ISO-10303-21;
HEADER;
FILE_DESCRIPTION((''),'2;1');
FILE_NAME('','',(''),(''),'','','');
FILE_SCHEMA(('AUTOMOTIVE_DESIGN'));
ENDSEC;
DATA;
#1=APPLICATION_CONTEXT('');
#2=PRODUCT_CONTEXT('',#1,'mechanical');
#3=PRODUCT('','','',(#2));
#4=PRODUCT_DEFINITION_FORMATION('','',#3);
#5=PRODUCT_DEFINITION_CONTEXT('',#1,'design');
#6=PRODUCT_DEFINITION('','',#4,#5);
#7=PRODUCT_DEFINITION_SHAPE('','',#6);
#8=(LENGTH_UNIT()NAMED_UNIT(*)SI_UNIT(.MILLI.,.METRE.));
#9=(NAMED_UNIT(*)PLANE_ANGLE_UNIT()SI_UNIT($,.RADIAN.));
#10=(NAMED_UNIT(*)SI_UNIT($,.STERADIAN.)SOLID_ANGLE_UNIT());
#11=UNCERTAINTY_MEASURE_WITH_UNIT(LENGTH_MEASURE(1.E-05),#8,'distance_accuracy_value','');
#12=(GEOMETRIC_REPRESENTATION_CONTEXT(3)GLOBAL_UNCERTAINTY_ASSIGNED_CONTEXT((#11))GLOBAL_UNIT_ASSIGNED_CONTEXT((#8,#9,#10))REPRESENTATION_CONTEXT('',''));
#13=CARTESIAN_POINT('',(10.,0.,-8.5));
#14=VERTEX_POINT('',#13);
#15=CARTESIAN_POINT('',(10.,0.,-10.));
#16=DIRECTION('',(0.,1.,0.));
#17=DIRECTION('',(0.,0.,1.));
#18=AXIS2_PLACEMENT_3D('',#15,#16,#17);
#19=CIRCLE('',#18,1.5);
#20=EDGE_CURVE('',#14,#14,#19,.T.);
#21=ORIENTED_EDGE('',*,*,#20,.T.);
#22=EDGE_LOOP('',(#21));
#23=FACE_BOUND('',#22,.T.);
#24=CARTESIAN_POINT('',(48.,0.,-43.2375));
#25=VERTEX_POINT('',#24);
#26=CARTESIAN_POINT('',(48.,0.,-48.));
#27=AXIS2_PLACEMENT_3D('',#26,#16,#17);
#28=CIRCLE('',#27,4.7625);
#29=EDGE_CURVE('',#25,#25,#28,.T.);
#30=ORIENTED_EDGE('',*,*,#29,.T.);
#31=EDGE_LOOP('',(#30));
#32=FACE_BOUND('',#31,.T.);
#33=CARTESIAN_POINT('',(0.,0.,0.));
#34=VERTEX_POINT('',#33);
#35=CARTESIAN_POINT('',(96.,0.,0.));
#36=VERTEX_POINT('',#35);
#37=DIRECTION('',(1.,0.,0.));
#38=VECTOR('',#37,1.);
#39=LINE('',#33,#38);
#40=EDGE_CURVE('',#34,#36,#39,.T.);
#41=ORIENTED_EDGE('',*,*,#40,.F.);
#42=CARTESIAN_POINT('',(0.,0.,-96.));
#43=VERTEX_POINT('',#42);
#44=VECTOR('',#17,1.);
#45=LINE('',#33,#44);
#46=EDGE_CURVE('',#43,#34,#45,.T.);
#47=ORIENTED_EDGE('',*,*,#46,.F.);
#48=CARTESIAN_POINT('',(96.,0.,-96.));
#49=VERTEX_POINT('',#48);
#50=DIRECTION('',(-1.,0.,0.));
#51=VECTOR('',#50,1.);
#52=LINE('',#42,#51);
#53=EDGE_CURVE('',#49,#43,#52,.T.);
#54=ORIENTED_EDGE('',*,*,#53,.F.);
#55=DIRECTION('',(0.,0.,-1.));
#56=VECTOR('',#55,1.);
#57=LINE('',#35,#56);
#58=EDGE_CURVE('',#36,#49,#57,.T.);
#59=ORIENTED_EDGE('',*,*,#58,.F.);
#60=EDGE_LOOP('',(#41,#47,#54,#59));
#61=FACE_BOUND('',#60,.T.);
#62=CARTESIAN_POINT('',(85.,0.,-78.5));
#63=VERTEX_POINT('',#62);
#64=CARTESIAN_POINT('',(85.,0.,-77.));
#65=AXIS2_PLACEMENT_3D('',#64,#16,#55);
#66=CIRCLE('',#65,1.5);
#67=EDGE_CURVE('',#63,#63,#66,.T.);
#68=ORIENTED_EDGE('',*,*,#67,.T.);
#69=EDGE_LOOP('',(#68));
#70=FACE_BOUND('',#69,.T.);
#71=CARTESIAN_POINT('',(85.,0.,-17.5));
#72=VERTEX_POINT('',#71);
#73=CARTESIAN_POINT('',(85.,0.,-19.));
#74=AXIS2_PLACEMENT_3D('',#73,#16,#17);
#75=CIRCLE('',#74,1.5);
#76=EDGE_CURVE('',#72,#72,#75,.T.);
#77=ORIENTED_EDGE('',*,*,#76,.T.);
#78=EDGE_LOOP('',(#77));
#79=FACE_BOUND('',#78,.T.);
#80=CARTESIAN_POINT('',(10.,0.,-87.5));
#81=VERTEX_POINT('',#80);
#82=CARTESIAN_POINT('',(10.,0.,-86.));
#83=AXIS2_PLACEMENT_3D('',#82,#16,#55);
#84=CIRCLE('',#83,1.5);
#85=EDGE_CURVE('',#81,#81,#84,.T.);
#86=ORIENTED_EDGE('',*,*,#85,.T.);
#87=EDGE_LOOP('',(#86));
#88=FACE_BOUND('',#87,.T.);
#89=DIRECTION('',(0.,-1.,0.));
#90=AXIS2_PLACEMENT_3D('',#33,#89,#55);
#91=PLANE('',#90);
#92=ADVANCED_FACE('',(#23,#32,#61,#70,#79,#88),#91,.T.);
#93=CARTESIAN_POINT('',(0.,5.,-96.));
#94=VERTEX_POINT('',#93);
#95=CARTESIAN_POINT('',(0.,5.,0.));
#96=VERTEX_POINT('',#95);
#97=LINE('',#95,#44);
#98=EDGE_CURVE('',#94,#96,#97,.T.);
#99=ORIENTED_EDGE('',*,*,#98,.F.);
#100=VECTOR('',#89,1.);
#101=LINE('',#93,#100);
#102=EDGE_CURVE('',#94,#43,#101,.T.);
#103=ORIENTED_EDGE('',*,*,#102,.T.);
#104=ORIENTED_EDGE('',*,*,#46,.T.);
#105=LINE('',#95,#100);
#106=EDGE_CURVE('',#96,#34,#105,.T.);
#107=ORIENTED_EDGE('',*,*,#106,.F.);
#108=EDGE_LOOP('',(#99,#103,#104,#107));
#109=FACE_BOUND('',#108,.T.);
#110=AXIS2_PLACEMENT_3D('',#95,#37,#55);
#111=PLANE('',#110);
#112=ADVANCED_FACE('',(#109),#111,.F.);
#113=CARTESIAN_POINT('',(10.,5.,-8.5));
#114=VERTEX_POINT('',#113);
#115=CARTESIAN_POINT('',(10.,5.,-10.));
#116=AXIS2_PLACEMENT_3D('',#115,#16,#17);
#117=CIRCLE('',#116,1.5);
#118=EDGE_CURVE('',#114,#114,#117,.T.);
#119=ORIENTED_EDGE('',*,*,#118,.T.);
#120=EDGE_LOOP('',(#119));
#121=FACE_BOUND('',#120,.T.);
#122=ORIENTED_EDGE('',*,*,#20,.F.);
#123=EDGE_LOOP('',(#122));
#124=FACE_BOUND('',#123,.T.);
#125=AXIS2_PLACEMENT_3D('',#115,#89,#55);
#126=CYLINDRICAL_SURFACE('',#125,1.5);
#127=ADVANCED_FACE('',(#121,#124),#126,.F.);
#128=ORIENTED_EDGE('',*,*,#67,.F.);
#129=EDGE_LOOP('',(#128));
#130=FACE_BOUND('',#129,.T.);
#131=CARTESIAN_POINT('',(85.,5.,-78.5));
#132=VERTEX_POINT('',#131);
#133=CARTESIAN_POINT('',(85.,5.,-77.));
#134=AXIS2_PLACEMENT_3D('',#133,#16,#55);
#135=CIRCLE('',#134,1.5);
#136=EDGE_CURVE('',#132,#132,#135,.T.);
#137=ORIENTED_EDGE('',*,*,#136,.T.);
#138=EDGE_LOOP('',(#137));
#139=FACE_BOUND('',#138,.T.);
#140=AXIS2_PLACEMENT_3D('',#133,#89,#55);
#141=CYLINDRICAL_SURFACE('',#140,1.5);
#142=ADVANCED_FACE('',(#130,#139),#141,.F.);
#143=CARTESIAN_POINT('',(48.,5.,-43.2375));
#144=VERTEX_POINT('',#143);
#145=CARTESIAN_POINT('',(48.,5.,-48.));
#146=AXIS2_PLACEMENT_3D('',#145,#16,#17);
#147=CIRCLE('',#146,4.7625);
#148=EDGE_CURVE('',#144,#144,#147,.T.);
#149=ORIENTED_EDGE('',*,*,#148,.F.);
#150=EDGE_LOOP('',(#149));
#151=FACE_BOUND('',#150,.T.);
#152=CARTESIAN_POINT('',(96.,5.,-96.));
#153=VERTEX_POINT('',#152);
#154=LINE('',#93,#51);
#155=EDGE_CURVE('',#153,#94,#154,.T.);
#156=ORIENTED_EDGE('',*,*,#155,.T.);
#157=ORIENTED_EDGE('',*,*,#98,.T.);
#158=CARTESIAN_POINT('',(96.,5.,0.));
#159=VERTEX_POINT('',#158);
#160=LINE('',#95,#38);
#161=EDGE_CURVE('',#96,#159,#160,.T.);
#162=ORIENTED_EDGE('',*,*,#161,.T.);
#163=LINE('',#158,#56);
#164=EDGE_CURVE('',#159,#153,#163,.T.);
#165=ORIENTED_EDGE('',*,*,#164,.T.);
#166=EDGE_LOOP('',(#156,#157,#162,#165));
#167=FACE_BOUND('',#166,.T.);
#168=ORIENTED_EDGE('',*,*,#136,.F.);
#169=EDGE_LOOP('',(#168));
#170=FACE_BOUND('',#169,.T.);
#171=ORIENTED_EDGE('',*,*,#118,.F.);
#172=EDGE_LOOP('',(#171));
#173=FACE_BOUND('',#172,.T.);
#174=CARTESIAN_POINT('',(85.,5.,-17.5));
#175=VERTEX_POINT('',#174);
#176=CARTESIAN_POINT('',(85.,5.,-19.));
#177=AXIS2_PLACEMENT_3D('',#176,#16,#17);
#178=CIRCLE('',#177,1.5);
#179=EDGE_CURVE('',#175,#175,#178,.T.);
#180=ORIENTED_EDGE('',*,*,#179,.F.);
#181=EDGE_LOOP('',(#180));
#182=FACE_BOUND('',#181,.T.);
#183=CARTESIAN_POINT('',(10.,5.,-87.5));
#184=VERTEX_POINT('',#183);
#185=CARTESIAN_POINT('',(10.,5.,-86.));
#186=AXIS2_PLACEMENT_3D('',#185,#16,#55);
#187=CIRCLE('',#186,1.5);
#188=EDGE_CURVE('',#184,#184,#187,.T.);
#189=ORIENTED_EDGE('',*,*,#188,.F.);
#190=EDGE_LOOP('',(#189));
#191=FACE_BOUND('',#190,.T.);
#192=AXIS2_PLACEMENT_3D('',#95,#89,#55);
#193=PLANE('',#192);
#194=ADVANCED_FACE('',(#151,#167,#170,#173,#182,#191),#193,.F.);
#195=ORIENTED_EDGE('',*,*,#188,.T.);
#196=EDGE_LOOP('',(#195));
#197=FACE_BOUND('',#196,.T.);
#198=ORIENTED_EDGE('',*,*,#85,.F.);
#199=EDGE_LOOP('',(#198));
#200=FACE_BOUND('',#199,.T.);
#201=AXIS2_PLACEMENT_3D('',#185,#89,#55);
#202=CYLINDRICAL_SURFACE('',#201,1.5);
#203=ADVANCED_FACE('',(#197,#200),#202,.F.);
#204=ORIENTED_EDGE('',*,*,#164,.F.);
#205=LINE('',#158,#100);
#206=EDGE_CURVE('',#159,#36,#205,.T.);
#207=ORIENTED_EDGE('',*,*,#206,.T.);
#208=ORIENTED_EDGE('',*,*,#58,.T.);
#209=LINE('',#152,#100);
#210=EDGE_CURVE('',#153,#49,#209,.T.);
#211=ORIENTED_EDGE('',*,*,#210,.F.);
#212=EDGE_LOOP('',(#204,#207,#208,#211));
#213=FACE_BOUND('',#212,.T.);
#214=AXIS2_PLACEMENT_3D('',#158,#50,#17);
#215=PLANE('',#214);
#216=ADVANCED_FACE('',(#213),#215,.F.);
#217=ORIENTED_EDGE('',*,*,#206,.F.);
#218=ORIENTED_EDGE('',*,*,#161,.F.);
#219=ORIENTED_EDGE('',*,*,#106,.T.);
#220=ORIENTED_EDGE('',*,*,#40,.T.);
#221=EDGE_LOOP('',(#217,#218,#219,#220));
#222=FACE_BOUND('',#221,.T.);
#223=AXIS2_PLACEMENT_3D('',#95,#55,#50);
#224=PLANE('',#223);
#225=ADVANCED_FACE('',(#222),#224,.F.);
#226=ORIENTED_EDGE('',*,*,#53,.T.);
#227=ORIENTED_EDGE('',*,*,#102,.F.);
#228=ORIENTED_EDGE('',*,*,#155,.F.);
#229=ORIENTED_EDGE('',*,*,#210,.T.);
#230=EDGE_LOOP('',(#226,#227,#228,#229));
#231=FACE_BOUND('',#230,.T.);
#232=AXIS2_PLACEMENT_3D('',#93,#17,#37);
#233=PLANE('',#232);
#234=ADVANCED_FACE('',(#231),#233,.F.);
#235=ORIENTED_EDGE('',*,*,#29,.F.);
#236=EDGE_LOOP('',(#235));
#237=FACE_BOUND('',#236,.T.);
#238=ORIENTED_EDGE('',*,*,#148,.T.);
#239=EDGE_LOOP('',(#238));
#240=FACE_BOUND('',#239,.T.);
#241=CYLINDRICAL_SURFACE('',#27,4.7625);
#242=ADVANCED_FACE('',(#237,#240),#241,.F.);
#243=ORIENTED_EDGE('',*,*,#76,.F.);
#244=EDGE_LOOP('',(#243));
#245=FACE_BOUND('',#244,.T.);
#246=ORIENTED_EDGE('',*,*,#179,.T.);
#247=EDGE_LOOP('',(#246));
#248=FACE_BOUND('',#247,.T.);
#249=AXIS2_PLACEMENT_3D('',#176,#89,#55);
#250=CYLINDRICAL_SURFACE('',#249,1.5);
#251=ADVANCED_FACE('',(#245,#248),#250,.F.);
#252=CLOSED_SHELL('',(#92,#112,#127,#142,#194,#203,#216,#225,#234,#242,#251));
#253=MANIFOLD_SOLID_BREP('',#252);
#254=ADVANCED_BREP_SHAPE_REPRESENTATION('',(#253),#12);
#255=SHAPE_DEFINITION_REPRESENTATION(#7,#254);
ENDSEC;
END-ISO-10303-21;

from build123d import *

# Parameters (mm, degrees)
SKETCH1_W           = 96
SKETCH1_H           = 96
SKETCH1_R           = 1.5
BOSS_EXTRUDE1_DEPTH = 5
SKETCH2_R           = 4.7625
CUT_EXTRUDE1_DEPTH  = 6


with BuildPart() as part:
    # Sketch1 → Boss-Extrude1 (new body)
    with BuildSketch(Plane(origin=(0, 0, 0), x_dir=(1, 0, 0), z_dir=(0, 1, 0))):
        with Locations((48, 48)):
            Rectangle(SKETCH1_W, SKETCH1_H)
        with Locations((10, 10)):
            Circle(SKETCH1_R, mode=Mode.SUBTRACT)
        with Locations((85, 19)):
            Circle(SKETCH1_R, mode=Mode.SUBTRACT)
        with Locations((85, 77)):
            Circle(SKETCH1_R, mode=Mode.SUBTRACT)
        with Locations((10, 86)):
            Circle(SKETCH1_R, mode=Mode.SUBTRACT)
    extrude(amount=BOSS_EXTRUDE1_DEPTH)

    # Sketch2 → Cut-Extrude1 (cut, through all)
    with BuildSketch(Plane(origin=(0, 5, 0), x_dir=(1, 0, 0), z_dir=(0, 1, 0))):
        with Locations((48, 48)):
            Circle(SKETCH2_R)
    extrude(amount=-CUT_EXTRUDE1_DEPTH, mode=Mode.SUBTRACT)


solid = part.part
